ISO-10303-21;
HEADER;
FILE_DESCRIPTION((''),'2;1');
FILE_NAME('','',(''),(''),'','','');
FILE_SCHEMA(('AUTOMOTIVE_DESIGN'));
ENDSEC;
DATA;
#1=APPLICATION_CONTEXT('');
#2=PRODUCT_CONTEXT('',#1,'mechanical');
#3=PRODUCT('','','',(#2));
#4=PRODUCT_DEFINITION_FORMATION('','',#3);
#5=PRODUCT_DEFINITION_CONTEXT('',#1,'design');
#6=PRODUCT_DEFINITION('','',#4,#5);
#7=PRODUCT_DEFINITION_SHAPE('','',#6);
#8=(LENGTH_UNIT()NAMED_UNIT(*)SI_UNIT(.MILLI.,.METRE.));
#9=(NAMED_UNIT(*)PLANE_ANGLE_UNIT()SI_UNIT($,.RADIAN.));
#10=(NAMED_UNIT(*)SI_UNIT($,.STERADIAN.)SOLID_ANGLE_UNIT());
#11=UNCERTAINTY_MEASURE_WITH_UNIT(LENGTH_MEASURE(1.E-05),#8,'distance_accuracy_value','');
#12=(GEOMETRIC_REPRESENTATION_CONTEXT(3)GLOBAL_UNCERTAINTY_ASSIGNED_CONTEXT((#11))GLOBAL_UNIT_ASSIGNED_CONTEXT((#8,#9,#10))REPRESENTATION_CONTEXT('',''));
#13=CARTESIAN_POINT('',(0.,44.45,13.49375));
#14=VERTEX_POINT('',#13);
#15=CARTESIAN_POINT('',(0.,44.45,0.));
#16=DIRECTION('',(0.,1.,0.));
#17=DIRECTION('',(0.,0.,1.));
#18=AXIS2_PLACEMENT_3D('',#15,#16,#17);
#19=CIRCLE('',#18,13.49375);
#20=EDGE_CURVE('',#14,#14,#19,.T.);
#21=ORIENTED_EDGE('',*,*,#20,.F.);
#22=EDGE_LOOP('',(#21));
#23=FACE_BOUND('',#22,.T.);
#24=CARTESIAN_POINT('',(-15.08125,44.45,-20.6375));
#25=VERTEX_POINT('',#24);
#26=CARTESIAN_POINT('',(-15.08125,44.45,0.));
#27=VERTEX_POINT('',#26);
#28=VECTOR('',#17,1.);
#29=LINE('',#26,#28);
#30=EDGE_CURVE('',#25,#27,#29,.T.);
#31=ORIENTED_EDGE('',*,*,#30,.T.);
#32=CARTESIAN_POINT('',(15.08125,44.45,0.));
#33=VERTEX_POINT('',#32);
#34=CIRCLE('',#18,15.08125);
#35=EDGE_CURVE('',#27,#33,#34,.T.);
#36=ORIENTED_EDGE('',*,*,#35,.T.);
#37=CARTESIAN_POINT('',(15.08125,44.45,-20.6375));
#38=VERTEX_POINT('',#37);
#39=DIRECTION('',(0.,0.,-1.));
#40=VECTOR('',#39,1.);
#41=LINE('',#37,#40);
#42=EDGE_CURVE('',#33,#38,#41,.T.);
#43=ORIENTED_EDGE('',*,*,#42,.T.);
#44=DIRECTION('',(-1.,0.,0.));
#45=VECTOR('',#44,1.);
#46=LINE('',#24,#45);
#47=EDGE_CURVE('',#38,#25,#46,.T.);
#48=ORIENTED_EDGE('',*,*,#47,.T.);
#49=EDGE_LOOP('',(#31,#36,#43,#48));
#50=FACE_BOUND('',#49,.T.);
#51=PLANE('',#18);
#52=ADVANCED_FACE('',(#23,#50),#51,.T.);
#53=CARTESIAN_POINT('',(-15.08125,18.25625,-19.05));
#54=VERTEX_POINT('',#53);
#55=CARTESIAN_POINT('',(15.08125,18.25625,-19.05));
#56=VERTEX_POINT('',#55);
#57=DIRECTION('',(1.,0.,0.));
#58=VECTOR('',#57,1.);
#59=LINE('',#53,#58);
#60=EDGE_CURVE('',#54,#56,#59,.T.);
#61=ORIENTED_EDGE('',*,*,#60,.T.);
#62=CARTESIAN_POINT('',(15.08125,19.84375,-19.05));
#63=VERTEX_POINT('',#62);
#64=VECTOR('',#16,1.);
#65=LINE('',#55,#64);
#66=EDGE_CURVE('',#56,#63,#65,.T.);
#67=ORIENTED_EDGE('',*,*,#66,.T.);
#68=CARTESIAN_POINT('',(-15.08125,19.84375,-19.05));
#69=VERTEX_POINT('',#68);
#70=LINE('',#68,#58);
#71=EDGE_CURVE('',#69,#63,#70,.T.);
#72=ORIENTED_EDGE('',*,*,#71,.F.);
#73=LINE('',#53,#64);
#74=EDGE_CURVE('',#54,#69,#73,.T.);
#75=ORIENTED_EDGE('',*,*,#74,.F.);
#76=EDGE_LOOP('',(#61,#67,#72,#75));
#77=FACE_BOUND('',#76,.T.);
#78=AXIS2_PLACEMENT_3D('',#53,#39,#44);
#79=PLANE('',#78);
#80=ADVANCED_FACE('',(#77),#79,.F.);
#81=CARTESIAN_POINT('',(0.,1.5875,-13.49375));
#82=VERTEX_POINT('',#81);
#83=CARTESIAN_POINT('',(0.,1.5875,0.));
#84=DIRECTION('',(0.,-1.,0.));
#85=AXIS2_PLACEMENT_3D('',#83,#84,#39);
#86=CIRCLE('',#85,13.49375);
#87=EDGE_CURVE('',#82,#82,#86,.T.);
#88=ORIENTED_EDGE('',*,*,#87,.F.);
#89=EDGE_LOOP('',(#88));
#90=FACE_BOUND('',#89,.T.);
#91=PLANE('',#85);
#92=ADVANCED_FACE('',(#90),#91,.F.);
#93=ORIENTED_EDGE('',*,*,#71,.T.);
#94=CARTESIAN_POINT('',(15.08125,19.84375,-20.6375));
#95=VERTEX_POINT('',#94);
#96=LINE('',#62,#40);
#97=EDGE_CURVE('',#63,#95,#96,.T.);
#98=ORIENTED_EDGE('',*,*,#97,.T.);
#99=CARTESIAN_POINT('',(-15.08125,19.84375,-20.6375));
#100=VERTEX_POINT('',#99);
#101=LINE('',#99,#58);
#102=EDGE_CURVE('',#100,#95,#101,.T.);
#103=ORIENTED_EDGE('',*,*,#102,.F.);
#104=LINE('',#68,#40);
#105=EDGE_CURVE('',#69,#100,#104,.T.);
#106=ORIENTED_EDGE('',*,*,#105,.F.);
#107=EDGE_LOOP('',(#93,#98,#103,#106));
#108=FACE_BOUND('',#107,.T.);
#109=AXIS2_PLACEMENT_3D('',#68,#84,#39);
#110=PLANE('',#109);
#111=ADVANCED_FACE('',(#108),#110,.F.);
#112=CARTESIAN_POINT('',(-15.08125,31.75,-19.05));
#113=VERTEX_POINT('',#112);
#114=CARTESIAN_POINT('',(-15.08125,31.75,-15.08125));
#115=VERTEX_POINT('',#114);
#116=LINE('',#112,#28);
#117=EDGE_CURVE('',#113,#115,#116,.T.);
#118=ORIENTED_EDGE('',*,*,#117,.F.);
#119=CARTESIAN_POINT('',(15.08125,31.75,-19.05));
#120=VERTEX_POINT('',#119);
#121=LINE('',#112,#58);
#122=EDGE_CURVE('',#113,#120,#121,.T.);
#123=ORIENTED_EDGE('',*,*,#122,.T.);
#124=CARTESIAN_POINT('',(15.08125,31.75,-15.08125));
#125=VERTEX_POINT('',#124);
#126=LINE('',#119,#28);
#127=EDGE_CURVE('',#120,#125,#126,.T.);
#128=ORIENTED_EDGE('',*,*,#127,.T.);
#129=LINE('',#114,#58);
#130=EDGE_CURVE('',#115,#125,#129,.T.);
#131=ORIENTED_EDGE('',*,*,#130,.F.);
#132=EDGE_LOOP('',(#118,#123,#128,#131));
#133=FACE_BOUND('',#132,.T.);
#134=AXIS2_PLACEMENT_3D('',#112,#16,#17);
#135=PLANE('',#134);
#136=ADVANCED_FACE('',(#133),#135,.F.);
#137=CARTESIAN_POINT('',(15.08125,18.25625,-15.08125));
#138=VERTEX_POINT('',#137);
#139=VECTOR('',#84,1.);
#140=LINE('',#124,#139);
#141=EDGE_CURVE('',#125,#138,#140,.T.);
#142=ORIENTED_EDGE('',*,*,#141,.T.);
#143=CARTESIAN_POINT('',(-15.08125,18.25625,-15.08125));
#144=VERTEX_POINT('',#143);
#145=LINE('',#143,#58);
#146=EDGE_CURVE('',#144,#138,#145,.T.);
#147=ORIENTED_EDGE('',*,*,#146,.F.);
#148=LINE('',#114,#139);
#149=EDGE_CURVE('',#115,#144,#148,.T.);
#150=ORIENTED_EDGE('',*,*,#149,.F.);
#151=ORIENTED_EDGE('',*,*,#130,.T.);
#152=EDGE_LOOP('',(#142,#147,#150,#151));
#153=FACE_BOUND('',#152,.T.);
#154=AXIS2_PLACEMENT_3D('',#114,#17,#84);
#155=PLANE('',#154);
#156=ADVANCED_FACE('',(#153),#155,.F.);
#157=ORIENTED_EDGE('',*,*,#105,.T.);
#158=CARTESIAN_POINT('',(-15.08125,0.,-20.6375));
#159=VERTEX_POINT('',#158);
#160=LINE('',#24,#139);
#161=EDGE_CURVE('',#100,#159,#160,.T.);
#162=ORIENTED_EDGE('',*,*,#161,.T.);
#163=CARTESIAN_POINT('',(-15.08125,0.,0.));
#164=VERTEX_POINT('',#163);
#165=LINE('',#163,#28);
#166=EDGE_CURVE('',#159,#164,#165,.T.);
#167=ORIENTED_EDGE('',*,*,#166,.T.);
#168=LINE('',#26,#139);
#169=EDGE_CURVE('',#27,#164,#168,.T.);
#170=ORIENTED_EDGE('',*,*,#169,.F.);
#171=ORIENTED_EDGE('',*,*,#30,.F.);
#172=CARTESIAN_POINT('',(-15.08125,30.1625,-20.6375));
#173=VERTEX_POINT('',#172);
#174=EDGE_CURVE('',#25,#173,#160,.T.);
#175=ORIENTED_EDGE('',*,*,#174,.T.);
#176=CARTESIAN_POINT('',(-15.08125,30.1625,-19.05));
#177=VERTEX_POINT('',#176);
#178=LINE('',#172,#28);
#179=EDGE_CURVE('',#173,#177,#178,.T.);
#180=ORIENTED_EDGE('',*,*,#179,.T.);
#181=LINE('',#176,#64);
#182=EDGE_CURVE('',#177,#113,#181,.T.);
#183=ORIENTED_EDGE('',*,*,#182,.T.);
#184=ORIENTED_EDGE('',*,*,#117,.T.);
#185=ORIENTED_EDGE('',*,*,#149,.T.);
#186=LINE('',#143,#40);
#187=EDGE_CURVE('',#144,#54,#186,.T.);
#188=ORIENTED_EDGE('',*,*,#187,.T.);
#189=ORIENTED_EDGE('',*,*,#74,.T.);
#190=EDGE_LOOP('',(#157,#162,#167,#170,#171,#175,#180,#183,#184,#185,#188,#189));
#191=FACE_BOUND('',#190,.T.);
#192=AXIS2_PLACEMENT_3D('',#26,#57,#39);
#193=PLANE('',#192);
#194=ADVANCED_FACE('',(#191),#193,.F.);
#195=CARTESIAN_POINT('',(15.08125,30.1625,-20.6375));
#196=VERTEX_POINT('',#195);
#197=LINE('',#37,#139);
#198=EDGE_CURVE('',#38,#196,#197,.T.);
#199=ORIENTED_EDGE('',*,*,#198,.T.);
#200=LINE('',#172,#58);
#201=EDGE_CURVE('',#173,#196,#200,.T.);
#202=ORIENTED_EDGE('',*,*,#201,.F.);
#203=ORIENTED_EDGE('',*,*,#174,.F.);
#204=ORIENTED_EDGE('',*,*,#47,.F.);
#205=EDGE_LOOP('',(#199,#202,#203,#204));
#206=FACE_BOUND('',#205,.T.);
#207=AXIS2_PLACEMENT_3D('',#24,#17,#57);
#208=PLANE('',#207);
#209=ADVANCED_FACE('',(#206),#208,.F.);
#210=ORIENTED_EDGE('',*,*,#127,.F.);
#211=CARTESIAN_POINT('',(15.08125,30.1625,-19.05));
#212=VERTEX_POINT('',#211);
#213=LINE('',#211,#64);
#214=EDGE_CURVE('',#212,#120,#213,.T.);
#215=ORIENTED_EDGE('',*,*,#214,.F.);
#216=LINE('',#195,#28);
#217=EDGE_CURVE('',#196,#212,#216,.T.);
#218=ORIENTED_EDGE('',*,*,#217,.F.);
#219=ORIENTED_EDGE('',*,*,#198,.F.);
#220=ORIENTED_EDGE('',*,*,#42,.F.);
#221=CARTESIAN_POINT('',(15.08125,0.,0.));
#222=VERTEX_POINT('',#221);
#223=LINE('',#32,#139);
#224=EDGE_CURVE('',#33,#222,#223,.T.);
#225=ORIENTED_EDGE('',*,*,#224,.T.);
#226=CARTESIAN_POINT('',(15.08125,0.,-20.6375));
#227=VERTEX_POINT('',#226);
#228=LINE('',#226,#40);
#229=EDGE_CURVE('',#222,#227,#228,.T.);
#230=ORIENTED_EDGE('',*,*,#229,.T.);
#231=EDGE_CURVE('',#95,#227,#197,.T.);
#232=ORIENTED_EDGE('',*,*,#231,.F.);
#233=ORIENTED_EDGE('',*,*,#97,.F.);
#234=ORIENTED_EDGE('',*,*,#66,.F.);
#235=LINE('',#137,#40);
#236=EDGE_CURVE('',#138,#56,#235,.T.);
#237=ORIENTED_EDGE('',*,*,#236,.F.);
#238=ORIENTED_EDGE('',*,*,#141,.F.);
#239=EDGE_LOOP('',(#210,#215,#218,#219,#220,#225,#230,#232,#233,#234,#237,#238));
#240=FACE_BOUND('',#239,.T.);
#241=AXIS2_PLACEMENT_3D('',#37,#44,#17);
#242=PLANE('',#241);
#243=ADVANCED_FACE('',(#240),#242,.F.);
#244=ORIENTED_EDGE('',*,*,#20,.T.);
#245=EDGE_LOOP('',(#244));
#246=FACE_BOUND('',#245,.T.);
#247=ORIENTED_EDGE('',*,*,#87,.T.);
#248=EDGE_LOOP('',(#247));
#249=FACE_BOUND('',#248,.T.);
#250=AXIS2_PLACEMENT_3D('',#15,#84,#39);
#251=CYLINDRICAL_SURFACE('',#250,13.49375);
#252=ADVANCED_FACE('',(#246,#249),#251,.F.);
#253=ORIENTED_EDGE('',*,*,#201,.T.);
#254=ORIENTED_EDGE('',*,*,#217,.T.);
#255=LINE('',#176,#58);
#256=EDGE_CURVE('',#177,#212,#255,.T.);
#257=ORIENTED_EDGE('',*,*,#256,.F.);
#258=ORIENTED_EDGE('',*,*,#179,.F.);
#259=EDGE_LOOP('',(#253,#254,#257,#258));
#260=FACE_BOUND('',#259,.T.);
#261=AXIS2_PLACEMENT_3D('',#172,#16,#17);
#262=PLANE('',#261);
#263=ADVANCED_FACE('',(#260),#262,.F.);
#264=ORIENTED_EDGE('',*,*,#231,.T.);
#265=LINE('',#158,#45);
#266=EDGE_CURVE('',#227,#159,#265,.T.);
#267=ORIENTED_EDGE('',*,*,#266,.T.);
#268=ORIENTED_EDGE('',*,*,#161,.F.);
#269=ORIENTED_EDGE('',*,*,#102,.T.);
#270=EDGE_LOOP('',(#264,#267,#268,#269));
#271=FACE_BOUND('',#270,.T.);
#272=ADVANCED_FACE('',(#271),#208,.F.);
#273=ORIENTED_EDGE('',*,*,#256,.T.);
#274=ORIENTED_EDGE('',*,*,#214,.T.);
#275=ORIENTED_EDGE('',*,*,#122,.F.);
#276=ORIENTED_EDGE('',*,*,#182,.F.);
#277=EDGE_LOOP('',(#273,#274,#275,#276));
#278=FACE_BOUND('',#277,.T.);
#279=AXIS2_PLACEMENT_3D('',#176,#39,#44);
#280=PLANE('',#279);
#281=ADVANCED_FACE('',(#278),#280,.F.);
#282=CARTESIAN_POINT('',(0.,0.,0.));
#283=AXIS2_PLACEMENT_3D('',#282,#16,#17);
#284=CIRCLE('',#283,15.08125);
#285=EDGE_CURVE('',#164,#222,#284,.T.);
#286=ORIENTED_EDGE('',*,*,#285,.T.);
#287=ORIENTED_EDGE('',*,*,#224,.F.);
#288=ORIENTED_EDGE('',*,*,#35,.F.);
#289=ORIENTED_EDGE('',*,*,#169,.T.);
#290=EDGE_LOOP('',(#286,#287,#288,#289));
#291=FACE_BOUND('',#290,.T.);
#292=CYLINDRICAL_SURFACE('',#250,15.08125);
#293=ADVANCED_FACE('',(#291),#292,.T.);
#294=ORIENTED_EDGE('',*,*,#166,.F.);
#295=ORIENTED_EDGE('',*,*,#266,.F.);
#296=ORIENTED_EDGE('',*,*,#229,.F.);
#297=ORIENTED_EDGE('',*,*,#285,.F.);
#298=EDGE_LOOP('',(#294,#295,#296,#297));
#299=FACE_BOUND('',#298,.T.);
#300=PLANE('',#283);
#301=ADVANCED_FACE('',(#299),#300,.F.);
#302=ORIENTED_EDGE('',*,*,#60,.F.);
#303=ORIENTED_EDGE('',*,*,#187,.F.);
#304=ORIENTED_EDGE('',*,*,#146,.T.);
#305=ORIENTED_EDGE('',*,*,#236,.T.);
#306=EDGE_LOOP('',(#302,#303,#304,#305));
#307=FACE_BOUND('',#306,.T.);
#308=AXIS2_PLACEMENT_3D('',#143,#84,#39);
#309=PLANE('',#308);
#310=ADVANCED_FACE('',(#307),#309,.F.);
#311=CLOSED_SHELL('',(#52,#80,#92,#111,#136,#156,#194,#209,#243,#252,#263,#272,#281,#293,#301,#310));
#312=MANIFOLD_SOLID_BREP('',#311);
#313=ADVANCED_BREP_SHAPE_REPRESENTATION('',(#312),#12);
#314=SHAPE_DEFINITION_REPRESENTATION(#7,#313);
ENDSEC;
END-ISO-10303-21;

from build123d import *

# Parameters (mm, degrees)
SKETCH1_R           = 13.49375
BOSS_EXTRUDE1_DEPTH = 44.45
SKETCH2_R           = 15.08125
BOSS_EXTRUDE2_DEPTH = 1.5875
CUT_EXTRUDE1_DEPTH  = 58.545506449


with BuildPart() as part:
    # Sketch1 → Boss-Extrude1 (new body)
    with BuildSketch(Plane(origin=(0, 0, 0), x_dir=(1, 0, 0), z_dir=(0, 1, 0))):
        with BuildLine():
            Line((-15.08125, 0), (-15.08125, 20.6375))
            Line((-15.08125, 20.6375), (15.08125, 20.6375))
            Line((15.08125, 20.6375), (15.08125, 0))
            ThreePointArc((15.08125, 0), (0, -15.08125), (-15.08125, 0))
        make_face()
        with Locations(Location((0, 0, 0), (0, 0, 270))):
            Circle(SKETCH1_R, mode=Mode.SUBTRACT)
    extrude(amount=BOSS_EXTRUDE1_DEPTH)

    # Sketch2 → Boss-Extrude2 (add)
    with BuildSketch(Plane.XZ):
        Circle(SKETCH2_R)
    extrude(amount=-BOSS_EXTRUDE2_DEPTH)

    # Sketch3 → Cut-Extrude1 (cut, through all)
    with BuildSketch(Plane(origin=(15.08125, 0, 0), x_dir=(0, 0, -1), z_dir=(1, 0, 0))):
        Polygon((20.6375, 30.1625), (19.05, 30.1625), (19.05, 31.75), (15.08125, 31.75), (15.08125, 18.25625), (19.05, 18.25625), (19.05, 19.84375), (20.6375, 19.84375), align=None)
    extrude(amount=-CUT_EXTRUDE1_DEPTH, mode=Mode.SUBTRACT)


solid = part.part
